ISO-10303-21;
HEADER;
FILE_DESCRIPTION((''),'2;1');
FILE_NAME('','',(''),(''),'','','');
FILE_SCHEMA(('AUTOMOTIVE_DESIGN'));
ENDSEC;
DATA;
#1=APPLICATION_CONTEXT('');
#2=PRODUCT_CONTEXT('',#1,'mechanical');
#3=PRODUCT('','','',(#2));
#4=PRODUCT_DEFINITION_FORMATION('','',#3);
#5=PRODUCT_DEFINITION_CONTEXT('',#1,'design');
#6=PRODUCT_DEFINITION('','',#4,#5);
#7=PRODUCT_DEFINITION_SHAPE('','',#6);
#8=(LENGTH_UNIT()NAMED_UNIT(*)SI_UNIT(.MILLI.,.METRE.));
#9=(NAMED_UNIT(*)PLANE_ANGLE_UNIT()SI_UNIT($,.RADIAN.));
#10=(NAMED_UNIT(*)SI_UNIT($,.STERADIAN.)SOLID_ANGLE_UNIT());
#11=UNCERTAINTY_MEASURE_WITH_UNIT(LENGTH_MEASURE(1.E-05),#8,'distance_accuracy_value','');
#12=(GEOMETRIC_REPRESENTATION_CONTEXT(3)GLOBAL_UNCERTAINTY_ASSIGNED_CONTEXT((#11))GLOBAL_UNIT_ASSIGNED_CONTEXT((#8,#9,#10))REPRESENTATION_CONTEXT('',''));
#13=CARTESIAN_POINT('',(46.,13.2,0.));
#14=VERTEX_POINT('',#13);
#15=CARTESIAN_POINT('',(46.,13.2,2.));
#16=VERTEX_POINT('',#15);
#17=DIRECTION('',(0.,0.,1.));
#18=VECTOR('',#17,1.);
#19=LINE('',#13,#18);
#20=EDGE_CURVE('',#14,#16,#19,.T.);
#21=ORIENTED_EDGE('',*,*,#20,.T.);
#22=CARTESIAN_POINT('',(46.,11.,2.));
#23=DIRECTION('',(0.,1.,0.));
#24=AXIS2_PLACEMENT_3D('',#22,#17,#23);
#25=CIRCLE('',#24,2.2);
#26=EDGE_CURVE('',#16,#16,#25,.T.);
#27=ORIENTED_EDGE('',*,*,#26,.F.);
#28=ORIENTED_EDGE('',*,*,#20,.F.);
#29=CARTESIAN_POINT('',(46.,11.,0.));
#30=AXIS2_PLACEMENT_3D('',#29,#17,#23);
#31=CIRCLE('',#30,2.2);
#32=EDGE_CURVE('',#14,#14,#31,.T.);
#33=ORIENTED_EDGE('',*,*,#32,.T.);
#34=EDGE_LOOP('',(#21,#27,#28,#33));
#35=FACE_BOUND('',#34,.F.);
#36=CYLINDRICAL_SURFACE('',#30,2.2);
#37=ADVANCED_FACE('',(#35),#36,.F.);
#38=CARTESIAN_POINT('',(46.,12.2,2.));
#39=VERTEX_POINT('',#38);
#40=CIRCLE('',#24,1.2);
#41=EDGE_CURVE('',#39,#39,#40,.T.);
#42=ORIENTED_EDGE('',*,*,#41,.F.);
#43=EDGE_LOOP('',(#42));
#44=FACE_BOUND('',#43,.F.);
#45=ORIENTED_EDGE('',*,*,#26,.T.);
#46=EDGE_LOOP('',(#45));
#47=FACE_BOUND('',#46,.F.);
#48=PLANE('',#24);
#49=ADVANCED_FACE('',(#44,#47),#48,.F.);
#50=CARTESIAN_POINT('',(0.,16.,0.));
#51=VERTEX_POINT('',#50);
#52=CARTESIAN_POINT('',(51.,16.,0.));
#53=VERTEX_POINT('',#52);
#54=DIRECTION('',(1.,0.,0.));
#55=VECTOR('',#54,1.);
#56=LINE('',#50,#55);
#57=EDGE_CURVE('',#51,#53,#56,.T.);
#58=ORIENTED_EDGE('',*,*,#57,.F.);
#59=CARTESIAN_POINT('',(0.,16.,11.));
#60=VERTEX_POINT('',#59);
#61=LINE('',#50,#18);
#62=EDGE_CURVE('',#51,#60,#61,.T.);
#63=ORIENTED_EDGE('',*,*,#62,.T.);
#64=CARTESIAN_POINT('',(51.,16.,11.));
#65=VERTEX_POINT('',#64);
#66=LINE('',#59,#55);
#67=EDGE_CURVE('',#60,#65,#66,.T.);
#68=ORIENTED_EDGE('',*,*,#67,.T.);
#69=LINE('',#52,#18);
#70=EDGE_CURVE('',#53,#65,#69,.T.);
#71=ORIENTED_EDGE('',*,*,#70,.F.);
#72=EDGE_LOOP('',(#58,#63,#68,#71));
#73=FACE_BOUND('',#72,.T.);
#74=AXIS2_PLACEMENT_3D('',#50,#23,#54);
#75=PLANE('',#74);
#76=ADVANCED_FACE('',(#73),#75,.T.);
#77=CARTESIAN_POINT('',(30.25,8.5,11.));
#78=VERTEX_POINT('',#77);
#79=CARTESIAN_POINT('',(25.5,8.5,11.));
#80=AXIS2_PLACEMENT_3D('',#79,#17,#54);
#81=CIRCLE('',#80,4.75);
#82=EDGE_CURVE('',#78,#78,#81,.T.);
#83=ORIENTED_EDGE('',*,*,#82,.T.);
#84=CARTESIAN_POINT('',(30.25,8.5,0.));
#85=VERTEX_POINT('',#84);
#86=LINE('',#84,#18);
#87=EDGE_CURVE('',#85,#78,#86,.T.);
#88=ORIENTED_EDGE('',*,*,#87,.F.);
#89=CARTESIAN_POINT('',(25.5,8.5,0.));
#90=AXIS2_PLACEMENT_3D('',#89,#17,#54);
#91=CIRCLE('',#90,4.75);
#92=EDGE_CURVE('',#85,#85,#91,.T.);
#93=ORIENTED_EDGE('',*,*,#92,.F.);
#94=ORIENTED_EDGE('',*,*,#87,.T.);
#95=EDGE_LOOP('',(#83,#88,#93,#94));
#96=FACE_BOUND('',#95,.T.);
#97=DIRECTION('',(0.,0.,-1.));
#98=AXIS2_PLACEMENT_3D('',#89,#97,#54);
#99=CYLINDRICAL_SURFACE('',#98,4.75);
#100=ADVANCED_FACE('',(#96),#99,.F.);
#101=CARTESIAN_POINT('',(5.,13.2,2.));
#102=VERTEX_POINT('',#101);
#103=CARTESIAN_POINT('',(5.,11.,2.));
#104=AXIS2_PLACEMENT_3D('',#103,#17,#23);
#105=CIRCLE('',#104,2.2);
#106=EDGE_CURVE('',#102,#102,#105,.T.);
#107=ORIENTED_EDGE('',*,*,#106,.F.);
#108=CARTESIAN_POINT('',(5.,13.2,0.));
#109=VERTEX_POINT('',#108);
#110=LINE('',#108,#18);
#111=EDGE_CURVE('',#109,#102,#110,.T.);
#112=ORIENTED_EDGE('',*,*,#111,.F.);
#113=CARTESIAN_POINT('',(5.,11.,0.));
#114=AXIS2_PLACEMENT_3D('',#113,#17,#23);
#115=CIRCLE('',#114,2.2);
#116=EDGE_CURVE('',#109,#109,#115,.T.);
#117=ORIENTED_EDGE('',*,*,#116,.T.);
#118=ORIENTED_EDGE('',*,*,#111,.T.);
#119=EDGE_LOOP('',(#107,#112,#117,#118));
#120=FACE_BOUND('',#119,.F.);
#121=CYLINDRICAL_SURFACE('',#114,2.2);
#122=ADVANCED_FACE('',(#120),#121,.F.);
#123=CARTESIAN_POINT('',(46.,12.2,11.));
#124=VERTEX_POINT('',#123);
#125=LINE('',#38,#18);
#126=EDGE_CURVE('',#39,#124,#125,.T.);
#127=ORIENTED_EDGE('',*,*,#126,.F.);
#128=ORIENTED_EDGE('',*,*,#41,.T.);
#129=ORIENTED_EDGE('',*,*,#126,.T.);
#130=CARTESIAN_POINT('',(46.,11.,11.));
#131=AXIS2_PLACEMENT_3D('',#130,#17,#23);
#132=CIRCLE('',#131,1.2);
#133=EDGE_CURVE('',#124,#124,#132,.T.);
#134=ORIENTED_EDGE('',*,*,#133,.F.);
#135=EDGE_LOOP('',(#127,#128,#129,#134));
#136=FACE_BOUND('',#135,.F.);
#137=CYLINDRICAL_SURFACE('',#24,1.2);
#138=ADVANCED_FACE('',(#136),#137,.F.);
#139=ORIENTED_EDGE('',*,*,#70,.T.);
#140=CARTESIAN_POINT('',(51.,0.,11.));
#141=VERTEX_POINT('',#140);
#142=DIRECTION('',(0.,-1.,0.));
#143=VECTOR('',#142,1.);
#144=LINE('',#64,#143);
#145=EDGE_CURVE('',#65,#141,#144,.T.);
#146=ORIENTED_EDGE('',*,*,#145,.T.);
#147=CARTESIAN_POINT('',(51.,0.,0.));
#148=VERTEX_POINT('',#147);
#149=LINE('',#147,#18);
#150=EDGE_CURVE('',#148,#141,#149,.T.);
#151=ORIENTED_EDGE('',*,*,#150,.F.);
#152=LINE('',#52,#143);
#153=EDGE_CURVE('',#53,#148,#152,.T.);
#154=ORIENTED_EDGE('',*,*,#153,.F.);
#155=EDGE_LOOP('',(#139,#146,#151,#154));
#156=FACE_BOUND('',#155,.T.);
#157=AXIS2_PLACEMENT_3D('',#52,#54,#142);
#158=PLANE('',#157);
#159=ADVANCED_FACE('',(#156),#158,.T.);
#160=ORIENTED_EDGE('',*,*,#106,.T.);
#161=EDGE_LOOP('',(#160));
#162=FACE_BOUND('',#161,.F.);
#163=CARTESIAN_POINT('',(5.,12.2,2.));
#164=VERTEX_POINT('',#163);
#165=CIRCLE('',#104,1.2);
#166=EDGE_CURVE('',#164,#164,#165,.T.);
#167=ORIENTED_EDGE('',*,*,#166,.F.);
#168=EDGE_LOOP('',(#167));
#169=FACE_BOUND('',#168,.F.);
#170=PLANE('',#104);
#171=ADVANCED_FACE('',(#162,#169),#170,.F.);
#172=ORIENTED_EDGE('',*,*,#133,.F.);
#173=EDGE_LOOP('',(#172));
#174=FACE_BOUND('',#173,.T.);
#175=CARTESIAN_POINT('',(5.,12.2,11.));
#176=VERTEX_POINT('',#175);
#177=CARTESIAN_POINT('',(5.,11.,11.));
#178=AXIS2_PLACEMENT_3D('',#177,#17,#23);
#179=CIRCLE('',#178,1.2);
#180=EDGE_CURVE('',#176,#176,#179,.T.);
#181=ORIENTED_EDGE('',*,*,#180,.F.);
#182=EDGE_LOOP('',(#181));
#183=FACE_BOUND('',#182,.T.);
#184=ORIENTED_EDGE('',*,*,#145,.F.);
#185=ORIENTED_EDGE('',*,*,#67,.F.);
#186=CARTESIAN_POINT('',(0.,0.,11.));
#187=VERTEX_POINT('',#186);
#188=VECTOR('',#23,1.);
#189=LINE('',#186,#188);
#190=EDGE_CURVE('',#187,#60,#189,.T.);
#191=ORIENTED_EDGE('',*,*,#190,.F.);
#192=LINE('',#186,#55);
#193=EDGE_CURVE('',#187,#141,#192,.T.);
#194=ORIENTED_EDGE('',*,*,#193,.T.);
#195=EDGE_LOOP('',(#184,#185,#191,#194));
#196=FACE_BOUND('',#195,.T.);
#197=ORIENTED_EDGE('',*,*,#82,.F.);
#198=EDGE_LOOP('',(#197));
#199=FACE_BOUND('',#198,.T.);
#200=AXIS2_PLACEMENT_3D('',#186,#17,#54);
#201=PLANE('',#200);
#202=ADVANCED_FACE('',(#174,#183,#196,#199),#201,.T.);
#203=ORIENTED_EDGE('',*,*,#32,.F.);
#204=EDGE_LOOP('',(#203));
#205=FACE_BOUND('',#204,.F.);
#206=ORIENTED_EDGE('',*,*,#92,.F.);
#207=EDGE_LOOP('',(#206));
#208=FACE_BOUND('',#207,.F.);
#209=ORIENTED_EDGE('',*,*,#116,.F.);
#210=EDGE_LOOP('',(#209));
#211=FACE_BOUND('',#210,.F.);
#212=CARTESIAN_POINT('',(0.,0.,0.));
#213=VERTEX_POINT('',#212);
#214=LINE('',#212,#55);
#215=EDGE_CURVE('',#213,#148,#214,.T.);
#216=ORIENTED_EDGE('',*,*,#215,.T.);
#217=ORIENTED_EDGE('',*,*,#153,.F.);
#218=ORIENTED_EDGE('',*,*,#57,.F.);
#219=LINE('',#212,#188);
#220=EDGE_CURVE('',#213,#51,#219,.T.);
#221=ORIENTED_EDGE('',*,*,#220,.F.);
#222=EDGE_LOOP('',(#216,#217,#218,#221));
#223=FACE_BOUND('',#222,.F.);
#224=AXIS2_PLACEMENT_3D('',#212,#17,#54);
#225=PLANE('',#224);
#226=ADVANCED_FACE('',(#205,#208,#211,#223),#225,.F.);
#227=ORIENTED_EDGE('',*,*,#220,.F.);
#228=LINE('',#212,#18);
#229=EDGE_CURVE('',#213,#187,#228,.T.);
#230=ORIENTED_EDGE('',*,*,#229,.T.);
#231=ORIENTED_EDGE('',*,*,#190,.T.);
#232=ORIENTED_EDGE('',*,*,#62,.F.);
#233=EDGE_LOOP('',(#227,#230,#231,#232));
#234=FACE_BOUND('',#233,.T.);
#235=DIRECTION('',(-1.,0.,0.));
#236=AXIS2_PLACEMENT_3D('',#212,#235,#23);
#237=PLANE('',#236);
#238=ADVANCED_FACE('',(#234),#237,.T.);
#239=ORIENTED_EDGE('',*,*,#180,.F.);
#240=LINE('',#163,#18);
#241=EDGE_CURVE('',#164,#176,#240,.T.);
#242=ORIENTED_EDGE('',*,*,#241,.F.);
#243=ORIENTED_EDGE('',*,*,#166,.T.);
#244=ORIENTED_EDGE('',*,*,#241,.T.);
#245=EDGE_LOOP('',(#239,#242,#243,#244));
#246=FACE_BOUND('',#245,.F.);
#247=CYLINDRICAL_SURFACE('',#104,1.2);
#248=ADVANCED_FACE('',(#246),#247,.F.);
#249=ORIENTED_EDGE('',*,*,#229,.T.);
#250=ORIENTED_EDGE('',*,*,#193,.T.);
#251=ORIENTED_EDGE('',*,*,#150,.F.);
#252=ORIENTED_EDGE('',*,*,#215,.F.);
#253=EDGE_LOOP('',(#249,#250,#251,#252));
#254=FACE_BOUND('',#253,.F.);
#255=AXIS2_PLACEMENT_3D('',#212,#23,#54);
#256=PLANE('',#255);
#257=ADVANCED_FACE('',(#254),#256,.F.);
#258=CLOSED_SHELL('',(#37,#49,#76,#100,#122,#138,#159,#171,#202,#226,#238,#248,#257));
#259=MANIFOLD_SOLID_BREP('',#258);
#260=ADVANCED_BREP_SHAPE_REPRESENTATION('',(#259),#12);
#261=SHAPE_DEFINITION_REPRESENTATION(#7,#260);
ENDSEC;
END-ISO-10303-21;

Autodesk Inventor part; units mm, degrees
ref_plane "YZ Plane" through (0, 0, 0) normal (1, 0, 0) x (0, 1, 0)
ref_plane "XZ Plane" through (0, 0, 0) normal (0, 1, 0) x (-1, 0, 0)
ref_plane "XY Plane" through (0, 0, 0) normal (0, 0, 1) x (1, 0, 0)
sketch "Sketch1" plane through (0, 0, 0) normal (0, 0, 1) x (1, 0, 0)
  line L0 (0, 0) -> (51, 0)
  line L1 (0, 0) -> (0, 16)
  line L2 (0, 16) -> (51, 16)
  line L3 (51, 16) -> (51, 0)
  line L4 (0, 0) -> (0, 8.5) construction
  line L5 (0, 8.5) -> (51, 8.5) construction
  line L6 (25.5, 16) -> (25.5, 0) construction
  circle A0 centre (25.5, 8.5) radius 4.75
  dimension "d1" = 16
  dimension "d2" = 51
  dimension "d5" = 8.5
  dimension "d6" = 9.5
extrude "Extrusion1" add sketch "Sketch1" along normal blind 11
sketch "Sketch3" plane through (0, 0, 0) normal (0, 0, -1) x (-1, 0, 0)
  circle A0 centre (-46, 11) radius 1.2 projected
  circle A1 centre (-5, 11) radius 2.2 projected
  point P0 (0, 0)
hole "Hole2" at (46, 11, 0) at (5, 11, 0) direction (0, 0, 1) diameter 2.4 end through all counterbore diameter 4.4 counterbore depth 2
properties part number "Head Plate" material "Steel, Carbon"
